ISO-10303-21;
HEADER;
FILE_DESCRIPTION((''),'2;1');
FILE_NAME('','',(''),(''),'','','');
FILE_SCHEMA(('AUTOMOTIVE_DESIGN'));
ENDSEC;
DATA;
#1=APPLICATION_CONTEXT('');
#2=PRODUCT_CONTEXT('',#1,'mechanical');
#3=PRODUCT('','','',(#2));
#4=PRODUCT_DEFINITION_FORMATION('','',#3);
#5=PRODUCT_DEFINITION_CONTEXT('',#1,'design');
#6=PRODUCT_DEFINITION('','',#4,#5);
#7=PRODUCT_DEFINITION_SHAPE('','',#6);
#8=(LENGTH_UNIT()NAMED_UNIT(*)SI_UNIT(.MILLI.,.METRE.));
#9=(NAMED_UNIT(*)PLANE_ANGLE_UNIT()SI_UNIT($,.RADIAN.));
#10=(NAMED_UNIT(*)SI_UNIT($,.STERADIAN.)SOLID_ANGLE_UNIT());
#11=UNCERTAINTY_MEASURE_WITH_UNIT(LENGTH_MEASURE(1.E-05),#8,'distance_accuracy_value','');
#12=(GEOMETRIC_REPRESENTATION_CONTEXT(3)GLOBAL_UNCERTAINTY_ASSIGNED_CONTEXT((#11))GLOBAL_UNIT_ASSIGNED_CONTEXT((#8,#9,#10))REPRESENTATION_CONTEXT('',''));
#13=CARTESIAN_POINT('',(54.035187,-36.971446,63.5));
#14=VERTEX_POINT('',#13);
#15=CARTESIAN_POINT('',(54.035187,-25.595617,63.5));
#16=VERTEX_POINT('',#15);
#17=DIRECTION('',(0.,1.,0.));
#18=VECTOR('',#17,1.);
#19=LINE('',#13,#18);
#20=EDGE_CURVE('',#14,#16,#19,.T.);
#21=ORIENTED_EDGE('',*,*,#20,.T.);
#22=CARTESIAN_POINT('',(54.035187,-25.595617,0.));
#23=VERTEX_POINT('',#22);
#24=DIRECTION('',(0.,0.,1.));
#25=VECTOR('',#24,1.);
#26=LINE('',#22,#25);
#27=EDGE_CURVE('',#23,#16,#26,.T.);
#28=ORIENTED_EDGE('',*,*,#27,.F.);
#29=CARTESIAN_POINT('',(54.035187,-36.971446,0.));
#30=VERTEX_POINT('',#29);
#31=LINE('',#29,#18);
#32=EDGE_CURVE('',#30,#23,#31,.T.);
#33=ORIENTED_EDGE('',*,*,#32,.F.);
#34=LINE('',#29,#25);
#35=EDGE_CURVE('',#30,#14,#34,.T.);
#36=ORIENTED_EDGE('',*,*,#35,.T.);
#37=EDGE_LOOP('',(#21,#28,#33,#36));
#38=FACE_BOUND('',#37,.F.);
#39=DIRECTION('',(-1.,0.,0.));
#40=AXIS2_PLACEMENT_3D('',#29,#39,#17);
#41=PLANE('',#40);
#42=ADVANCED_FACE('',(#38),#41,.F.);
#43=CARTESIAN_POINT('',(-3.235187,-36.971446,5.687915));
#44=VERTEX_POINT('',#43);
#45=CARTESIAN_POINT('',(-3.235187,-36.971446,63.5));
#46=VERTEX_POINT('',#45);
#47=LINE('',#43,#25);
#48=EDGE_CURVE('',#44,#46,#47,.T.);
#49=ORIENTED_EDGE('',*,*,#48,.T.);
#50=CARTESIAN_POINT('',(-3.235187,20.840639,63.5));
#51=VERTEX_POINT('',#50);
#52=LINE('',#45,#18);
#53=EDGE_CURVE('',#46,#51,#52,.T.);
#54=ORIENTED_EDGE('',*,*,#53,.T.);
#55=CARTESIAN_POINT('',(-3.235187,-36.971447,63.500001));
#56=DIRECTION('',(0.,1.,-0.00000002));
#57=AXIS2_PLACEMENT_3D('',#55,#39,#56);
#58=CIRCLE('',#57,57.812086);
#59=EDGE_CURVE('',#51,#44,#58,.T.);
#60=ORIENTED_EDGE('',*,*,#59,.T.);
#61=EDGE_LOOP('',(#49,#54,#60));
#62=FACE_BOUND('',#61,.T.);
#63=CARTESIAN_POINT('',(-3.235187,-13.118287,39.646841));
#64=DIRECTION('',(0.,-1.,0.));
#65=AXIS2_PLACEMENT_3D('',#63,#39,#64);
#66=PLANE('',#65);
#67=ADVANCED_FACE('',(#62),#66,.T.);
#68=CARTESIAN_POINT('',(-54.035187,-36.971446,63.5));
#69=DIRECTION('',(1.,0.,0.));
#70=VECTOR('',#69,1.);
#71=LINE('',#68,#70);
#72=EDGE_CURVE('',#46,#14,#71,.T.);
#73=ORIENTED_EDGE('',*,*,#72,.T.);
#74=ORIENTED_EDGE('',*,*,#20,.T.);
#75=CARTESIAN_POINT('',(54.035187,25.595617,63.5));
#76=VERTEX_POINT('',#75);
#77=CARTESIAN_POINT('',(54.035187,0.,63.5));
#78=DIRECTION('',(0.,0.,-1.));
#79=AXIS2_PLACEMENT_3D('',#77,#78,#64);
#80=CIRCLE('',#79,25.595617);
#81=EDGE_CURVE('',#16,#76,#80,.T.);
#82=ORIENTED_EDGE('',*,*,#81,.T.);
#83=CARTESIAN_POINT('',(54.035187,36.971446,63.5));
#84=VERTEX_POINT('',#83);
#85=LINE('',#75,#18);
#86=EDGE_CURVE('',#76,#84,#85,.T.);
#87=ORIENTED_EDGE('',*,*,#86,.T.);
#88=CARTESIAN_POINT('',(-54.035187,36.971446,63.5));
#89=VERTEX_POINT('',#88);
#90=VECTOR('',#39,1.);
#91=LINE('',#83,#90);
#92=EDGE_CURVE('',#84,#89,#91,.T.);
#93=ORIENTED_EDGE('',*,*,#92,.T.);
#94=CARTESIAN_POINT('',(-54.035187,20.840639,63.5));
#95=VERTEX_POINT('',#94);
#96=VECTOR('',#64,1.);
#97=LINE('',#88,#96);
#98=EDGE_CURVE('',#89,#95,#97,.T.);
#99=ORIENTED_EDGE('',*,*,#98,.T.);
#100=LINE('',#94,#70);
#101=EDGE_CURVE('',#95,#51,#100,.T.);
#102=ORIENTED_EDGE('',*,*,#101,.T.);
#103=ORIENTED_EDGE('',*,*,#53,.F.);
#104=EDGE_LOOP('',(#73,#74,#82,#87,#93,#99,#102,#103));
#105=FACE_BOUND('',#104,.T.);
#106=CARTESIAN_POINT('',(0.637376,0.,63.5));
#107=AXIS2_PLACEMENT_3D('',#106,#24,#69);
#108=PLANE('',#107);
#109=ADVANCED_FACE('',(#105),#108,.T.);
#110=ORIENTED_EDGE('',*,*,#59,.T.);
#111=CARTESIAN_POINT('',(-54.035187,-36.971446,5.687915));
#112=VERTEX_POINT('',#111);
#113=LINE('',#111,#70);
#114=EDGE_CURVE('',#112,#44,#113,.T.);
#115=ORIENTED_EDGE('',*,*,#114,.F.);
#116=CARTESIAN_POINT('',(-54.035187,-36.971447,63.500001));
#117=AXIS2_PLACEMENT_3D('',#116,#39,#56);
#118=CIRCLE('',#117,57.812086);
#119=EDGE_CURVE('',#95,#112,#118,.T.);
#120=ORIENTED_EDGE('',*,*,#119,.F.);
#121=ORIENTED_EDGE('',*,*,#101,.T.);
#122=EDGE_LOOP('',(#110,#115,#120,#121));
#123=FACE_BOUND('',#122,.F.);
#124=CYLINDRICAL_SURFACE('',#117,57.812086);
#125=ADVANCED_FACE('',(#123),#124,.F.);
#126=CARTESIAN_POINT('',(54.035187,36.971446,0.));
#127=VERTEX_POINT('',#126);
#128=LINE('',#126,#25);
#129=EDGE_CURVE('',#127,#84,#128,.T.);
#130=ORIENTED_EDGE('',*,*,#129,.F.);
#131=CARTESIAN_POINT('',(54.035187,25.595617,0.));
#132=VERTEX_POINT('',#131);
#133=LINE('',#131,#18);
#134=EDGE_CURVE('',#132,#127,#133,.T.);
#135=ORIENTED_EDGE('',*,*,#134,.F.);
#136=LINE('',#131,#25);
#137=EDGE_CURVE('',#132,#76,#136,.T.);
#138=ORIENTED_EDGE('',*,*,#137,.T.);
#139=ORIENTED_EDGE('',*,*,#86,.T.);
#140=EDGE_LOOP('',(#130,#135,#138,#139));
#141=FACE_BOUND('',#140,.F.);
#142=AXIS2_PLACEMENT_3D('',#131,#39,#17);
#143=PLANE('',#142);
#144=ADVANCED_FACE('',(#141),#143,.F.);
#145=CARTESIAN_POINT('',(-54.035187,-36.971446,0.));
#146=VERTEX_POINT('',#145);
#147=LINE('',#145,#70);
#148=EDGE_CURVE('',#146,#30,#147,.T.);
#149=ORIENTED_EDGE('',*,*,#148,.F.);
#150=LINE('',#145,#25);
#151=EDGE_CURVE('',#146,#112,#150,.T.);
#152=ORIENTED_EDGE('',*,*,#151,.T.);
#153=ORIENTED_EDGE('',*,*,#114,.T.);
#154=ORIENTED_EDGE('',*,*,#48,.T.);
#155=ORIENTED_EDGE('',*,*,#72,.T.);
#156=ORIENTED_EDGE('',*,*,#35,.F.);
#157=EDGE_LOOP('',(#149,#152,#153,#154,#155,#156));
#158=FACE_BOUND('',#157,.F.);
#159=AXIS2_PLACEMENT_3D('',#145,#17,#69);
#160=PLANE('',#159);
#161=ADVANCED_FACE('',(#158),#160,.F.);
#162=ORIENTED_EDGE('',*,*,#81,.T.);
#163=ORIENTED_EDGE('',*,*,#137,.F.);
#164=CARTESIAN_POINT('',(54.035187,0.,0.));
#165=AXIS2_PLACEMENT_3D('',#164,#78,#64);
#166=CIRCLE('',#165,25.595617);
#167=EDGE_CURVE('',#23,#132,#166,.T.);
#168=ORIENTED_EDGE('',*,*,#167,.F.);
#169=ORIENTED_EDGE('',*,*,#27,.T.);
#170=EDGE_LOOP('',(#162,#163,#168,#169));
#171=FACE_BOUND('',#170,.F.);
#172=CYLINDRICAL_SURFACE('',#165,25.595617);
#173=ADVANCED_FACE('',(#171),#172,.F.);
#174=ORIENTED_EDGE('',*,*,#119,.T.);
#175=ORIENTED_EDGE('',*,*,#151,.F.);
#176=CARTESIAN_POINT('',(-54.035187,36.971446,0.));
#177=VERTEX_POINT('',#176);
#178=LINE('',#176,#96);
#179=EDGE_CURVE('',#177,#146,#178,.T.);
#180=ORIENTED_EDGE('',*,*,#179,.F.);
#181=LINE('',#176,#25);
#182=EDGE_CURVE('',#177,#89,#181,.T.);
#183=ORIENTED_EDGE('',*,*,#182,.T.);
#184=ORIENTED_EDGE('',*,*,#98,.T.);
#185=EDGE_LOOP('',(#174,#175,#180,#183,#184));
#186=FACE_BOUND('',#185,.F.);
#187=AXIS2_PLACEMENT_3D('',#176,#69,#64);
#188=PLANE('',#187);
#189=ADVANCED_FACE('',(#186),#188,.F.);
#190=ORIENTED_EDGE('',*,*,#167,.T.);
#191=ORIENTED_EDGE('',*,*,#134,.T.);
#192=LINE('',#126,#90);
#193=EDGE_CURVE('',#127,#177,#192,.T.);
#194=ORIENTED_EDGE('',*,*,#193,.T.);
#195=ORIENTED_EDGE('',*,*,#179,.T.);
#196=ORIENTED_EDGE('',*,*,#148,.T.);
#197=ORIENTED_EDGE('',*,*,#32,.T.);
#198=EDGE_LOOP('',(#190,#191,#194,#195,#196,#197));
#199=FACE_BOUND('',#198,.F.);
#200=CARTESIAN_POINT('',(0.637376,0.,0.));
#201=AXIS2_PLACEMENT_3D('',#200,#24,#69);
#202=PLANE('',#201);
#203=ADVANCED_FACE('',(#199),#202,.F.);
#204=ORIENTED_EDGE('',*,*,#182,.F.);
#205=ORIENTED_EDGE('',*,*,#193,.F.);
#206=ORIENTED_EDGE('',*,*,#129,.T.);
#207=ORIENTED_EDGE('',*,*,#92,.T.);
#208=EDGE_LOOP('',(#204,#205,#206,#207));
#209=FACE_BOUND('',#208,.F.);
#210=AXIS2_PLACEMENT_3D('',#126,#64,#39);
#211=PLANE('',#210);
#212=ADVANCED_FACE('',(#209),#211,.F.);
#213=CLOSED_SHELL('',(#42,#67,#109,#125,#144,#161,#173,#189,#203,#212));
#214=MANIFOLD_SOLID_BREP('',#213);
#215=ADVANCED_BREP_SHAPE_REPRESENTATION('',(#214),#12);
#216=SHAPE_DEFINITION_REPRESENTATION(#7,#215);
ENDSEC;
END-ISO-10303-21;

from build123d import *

# Parameters (mm, degrees)
F1_DEPTH = 63.5
F3_DEPTH = 50.8


with BuildPart() as f1:
    # F0 (on Top) → F1 (new body)
    with BuildSketch(Plane.XY):
        with BuildLine():
            Line((54.035187, 25.595617), (54.035187, 36.971446))
            Line((54.035187, 36.971446), (-54.035187, 36.971446))
            Line((-54.035187, 36.971446), (-54.035187, -36.971446))
            Line((-54.035187, -36.971446), (54.035187, -36.971446))
            Line((54.035187, -36.971446), (54.035187, -25.595617))
            ThreePointArc((54.035187, -25.595617), (28.43957, 0), (54.035187, 25.595617))
        make_face()
    extrude(amount=F1_DEPTH)

    # F2 (on face) → F3 (cut)
    with BuildSketch(Plane(origin=(-54.035187, 0, 0), x_dir=(0, -1, 0), z_dir=(-1, 0, 0))):
        with BuildLine():
            ThreePointArc((-20.840639, 63.5), (-3.907871, 22.620683), (36.971446, 5.687915))
            Line((36.971446, 5.687915), (36.971446, 63.5))
            Line((36.971446, 63.5), (-20.840639, 63.5))
        make_face()
    extrude(amount=-F3_DEPTH, mode=Mode.SUBTRACT)


solid = f1.part
